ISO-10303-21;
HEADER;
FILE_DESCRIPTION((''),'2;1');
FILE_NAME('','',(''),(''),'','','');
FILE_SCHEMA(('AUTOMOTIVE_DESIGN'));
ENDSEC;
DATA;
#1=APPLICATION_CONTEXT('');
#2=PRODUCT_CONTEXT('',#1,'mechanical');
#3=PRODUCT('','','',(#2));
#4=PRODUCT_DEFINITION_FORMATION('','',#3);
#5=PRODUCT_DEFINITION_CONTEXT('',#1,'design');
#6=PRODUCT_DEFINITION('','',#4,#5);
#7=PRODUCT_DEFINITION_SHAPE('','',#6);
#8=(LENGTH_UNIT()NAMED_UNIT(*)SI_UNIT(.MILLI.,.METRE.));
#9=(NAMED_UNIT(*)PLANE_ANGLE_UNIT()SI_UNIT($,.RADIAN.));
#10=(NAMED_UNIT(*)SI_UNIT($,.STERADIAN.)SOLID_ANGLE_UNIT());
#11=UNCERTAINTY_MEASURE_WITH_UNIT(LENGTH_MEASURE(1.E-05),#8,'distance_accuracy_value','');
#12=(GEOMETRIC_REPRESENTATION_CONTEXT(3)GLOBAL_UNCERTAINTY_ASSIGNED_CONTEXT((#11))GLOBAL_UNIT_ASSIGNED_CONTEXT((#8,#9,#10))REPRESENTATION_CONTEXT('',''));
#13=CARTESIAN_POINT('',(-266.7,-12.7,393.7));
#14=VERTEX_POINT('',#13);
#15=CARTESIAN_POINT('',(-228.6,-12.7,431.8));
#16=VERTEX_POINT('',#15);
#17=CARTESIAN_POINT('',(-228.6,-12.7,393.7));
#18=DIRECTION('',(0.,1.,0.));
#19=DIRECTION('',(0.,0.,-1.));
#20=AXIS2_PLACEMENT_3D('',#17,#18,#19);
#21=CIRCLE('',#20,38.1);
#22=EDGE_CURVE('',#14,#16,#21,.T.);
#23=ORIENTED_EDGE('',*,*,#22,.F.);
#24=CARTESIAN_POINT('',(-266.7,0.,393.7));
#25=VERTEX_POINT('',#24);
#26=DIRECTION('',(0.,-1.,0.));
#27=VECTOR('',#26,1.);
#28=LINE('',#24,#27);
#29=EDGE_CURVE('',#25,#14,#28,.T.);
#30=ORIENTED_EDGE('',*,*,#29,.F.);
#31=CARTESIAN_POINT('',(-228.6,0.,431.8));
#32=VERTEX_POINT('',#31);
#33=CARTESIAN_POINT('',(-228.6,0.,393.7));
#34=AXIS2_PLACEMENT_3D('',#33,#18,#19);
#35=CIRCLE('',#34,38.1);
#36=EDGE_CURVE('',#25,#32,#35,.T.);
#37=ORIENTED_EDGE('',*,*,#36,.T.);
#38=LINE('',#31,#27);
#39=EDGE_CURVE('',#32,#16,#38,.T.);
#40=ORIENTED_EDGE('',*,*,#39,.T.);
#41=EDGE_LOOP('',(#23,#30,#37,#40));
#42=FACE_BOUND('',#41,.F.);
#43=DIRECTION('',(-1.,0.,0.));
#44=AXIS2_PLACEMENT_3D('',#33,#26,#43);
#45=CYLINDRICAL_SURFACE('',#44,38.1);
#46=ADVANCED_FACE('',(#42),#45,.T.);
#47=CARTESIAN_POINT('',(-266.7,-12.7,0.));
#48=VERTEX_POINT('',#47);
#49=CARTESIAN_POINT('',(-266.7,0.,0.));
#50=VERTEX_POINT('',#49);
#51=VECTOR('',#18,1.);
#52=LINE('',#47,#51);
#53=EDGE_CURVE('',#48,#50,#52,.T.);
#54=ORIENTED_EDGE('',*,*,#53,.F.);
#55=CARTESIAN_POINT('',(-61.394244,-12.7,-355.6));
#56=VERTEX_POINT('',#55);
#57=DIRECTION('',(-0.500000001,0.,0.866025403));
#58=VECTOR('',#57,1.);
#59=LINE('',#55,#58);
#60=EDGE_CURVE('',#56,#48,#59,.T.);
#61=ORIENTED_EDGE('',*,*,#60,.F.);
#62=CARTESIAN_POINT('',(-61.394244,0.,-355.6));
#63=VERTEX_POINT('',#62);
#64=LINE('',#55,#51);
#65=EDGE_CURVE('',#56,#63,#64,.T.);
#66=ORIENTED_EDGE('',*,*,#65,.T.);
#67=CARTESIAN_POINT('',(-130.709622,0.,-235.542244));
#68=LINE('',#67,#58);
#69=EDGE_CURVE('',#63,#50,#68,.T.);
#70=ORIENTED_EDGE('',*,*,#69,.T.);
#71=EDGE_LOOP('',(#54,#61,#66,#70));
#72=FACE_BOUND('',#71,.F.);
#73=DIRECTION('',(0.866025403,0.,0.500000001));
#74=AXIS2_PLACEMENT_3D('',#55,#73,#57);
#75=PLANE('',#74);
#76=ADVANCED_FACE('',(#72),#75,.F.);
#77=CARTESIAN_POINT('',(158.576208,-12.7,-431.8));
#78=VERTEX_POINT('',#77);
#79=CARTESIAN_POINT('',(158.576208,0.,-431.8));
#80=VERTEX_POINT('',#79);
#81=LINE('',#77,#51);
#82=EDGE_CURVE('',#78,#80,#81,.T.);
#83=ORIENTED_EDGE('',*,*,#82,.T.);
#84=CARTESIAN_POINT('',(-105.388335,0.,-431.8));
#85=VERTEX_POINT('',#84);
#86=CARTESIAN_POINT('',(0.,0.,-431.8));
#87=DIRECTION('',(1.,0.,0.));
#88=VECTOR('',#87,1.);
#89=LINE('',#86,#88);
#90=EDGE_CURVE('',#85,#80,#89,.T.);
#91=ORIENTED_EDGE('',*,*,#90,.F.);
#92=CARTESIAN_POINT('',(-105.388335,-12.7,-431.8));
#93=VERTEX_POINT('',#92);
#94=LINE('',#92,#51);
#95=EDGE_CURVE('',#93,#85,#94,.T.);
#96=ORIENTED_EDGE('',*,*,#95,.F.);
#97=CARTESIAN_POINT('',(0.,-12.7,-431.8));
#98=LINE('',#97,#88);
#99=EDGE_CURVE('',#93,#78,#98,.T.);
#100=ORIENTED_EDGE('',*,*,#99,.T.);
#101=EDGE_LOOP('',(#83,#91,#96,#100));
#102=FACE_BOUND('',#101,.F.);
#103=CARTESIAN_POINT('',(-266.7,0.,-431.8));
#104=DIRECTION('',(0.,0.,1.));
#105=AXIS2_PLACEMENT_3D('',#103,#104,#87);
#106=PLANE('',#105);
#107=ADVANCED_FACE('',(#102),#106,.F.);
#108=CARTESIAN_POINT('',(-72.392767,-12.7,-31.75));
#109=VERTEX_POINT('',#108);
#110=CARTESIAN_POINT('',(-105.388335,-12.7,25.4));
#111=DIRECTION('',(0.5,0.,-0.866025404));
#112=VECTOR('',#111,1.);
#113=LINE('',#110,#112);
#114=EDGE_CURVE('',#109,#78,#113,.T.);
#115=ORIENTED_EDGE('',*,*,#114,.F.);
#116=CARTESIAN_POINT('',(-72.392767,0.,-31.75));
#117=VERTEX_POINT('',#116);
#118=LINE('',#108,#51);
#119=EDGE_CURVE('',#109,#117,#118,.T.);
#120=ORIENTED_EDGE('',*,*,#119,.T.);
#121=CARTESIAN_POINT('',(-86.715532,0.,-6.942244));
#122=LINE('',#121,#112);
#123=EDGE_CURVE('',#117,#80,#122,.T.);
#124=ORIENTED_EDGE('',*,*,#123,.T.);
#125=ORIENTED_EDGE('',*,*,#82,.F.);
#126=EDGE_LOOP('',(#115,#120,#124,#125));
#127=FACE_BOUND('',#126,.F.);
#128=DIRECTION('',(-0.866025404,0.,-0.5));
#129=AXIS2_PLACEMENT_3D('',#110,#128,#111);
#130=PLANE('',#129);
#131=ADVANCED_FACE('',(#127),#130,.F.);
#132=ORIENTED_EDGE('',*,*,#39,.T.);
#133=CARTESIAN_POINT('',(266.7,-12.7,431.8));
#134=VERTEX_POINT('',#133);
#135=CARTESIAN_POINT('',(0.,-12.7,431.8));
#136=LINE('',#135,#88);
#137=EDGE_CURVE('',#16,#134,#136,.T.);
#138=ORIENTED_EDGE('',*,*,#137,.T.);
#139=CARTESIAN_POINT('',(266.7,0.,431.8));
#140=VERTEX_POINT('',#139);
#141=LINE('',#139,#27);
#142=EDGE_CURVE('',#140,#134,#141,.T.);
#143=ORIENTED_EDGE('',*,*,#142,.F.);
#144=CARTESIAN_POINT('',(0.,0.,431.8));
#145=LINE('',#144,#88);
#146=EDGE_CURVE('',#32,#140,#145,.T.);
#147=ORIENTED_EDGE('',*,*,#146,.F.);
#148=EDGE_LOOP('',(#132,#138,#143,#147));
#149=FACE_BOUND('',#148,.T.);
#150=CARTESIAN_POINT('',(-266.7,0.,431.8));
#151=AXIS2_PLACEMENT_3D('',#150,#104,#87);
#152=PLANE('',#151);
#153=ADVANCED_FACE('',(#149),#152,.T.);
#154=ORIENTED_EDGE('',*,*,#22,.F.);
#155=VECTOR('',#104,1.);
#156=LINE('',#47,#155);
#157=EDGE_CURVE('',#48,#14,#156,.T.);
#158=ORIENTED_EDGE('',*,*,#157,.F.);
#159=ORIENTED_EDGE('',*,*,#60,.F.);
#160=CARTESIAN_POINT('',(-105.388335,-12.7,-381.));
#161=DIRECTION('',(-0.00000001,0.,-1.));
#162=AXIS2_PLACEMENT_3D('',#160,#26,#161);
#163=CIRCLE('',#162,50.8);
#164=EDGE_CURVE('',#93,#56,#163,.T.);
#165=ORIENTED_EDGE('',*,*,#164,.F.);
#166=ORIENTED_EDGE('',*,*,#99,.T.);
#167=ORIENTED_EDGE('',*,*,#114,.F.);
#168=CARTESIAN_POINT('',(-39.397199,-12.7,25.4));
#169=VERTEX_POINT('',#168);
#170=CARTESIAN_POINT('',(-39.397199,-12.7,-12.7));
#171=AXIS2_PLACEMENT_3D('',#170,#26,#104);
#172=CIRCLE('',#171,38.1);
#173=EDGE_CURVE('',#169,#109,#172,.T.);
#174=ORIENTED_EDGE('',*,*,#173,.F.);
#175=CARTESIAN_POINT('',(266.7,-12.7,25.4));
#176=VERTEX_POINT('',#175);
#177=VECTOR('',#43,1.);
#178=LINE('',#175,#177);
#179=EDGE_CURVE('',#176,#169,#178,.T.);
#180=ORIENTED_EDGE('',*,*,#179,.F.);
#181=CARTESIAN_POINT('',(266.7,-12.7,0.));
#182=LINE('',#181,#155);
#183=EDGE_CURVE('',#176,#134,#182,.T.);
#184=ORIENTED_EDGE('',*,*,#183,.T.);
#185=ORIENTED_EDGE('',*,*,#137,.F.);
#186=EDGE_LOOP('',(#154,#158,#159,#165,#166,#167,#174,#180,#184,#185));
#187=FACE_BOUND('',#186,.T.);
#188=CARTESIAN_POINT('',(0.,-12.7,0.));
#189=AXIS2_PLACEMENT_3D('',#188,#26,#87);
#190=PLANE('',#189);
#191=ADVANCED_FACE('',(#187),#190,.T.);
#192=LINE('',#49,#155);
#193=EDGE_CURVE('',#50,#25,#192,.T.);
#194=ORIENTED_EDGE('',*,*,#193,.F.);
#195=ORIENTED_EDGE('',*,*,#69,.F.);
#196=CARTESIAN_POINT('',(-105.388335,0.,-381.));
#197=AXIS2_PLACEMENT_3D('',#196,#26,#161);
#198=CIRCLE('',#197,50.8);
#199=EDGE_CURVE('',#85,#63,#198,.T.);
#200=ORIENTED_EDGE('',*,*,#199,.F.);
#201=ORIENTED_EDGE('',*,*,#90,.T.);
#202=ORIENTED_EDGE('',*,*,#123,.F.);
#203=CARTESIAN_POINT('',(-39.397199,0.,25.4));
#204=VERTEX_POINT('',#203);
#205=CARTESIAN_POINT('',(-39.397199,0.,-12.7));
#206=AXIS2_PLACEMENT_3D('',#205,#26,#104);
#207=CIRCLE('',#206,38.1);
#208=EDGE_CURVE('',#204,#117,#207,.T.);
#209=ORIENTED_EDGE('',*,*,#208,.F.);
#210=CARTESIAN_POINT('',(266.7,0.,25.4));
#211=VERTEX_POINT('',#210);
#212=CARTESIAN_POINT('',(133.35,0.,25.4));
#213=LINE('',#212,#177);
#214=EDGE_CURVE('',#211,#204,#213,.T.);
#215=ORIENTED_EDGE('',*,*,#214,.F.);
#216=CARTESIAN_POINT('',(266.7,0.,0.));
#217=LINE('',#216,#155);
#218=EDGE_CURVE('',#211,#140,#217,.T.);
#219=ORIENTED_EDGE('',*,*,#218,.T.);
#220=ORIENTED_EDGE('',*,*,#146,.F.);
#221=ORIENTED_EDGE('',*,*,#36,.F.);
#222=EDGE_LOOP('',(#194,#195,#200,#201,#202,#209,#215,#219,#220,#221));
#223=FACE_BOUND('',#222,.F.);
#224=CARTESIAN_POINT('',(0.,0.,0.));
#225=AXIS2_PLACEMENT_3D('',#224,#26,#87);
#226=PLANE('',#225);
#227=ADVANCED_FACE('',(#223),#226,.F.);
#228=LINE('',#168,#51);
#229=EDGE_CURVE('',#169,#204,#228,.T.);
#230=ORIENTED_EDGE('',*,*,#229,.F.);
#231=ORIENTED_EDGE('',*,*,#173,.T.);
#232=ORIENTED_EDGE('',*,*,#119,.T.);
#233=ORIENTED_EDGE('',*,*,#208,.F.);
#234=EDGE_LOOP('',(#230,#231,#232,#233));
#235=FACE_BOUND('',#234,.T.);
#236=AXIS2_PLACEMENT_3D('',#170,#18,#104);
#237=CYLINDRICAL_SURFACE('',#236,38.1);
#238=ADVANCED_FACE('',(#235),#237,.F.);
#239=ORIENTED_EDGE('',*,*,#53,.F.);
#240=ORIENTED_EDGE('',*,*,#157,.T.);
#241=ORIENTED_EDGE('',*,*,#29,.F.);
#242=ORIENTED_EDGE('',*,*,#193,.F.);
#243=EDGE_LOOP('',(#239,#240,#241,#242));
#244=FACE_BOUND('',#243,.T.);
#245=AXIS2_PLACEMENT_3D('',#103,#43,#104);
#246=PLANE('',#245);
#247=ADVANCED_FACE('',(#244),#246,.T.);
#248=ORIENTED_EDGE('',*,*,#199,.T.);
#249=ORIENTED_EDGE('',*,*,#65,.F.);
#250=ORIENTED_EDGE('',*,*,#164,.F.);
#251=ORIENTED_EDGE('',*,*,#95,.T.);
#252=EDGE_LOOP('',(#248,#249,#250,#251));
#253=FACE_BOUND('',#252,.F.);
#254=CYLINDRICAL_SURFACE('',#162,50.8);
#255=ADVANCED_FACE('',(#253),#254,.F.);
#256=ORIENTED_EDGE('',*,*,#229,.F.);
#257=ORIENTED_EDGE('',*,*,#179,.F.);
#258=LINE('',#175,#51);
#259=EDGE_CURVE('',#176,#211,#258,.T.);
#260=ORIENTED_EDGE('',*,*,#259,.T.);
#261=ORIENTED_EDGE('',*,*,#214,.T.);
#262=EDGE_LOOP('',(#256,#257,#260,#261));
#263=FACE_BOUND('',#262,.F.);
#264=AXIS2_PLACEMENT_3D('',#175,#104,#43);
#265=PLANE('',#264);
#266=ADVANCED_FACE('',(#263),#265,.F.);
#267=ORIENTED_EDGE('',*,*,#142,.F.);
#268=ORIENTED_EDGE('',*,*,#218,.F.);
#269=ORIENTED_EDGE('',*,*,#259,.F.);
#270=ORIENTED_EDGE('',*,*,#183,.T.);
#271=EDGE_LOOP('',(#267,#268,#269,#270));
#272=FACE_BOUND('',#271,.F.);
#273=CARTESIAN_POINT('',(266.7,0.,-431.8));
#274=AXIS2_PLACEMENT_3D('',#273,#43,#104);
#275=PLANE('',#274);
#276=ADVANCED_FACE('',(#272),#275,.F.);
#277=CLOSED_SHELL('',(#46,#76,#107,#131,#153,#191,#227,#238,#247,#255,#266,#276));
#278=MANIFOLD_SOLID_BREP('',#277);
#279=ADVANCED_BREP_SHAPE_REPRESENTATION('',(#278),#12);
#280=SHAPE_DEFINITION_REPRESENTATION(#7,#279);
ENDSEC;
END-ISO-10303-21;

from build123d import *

# Parameters (mm, degrees)
F0_W     = 533.4
F0_H     = 863.6
F1_DEPTH = 12.7
F3_DEPTH = 12.701
F4_R     = 38.1


with BuildPart() as f1:
    # F0 (on Front) → F1 (new body)
    with BuildSketch(Plane.XZ):
        Rectangle(F0_W, F0_H)
    extrude(amount=F1_DEPTH)

    # F2 (on face) → F3 (cut, through all)
    with BuildSketch(Plane.XZ.offset(12.7)):
        with BuildLine():
            Line((-61.394244, -355.6), (-266.7, 0))
            Line((-266.7, 0), (-266.7, -431.8))
            Line((-266.7, -431.8), (-105.388335, -431.8))
            ThreePointArc((-105.388335, -431.8), (-61.394244, -406.4), (-61.394244, -355.6))
        make_face()
        Polygon((-105.388335, 25.4), (158.576208, -431.8), (266.7, -431.8), (266.7, 25.4), align=None)
    extrude(amount=-F3_DEPTH, mode=Mode.SUBTRACT)

    # F4
    f4_edges = [f1.edges().sort_by_distance(p)[0] for p in [
        (-266.7, -6.35, 431.8),
        (-105.388335, -6.35, 25.4),
    ]]
    fillet(f4_edges, radius=F4_R)


solid = f1.part
